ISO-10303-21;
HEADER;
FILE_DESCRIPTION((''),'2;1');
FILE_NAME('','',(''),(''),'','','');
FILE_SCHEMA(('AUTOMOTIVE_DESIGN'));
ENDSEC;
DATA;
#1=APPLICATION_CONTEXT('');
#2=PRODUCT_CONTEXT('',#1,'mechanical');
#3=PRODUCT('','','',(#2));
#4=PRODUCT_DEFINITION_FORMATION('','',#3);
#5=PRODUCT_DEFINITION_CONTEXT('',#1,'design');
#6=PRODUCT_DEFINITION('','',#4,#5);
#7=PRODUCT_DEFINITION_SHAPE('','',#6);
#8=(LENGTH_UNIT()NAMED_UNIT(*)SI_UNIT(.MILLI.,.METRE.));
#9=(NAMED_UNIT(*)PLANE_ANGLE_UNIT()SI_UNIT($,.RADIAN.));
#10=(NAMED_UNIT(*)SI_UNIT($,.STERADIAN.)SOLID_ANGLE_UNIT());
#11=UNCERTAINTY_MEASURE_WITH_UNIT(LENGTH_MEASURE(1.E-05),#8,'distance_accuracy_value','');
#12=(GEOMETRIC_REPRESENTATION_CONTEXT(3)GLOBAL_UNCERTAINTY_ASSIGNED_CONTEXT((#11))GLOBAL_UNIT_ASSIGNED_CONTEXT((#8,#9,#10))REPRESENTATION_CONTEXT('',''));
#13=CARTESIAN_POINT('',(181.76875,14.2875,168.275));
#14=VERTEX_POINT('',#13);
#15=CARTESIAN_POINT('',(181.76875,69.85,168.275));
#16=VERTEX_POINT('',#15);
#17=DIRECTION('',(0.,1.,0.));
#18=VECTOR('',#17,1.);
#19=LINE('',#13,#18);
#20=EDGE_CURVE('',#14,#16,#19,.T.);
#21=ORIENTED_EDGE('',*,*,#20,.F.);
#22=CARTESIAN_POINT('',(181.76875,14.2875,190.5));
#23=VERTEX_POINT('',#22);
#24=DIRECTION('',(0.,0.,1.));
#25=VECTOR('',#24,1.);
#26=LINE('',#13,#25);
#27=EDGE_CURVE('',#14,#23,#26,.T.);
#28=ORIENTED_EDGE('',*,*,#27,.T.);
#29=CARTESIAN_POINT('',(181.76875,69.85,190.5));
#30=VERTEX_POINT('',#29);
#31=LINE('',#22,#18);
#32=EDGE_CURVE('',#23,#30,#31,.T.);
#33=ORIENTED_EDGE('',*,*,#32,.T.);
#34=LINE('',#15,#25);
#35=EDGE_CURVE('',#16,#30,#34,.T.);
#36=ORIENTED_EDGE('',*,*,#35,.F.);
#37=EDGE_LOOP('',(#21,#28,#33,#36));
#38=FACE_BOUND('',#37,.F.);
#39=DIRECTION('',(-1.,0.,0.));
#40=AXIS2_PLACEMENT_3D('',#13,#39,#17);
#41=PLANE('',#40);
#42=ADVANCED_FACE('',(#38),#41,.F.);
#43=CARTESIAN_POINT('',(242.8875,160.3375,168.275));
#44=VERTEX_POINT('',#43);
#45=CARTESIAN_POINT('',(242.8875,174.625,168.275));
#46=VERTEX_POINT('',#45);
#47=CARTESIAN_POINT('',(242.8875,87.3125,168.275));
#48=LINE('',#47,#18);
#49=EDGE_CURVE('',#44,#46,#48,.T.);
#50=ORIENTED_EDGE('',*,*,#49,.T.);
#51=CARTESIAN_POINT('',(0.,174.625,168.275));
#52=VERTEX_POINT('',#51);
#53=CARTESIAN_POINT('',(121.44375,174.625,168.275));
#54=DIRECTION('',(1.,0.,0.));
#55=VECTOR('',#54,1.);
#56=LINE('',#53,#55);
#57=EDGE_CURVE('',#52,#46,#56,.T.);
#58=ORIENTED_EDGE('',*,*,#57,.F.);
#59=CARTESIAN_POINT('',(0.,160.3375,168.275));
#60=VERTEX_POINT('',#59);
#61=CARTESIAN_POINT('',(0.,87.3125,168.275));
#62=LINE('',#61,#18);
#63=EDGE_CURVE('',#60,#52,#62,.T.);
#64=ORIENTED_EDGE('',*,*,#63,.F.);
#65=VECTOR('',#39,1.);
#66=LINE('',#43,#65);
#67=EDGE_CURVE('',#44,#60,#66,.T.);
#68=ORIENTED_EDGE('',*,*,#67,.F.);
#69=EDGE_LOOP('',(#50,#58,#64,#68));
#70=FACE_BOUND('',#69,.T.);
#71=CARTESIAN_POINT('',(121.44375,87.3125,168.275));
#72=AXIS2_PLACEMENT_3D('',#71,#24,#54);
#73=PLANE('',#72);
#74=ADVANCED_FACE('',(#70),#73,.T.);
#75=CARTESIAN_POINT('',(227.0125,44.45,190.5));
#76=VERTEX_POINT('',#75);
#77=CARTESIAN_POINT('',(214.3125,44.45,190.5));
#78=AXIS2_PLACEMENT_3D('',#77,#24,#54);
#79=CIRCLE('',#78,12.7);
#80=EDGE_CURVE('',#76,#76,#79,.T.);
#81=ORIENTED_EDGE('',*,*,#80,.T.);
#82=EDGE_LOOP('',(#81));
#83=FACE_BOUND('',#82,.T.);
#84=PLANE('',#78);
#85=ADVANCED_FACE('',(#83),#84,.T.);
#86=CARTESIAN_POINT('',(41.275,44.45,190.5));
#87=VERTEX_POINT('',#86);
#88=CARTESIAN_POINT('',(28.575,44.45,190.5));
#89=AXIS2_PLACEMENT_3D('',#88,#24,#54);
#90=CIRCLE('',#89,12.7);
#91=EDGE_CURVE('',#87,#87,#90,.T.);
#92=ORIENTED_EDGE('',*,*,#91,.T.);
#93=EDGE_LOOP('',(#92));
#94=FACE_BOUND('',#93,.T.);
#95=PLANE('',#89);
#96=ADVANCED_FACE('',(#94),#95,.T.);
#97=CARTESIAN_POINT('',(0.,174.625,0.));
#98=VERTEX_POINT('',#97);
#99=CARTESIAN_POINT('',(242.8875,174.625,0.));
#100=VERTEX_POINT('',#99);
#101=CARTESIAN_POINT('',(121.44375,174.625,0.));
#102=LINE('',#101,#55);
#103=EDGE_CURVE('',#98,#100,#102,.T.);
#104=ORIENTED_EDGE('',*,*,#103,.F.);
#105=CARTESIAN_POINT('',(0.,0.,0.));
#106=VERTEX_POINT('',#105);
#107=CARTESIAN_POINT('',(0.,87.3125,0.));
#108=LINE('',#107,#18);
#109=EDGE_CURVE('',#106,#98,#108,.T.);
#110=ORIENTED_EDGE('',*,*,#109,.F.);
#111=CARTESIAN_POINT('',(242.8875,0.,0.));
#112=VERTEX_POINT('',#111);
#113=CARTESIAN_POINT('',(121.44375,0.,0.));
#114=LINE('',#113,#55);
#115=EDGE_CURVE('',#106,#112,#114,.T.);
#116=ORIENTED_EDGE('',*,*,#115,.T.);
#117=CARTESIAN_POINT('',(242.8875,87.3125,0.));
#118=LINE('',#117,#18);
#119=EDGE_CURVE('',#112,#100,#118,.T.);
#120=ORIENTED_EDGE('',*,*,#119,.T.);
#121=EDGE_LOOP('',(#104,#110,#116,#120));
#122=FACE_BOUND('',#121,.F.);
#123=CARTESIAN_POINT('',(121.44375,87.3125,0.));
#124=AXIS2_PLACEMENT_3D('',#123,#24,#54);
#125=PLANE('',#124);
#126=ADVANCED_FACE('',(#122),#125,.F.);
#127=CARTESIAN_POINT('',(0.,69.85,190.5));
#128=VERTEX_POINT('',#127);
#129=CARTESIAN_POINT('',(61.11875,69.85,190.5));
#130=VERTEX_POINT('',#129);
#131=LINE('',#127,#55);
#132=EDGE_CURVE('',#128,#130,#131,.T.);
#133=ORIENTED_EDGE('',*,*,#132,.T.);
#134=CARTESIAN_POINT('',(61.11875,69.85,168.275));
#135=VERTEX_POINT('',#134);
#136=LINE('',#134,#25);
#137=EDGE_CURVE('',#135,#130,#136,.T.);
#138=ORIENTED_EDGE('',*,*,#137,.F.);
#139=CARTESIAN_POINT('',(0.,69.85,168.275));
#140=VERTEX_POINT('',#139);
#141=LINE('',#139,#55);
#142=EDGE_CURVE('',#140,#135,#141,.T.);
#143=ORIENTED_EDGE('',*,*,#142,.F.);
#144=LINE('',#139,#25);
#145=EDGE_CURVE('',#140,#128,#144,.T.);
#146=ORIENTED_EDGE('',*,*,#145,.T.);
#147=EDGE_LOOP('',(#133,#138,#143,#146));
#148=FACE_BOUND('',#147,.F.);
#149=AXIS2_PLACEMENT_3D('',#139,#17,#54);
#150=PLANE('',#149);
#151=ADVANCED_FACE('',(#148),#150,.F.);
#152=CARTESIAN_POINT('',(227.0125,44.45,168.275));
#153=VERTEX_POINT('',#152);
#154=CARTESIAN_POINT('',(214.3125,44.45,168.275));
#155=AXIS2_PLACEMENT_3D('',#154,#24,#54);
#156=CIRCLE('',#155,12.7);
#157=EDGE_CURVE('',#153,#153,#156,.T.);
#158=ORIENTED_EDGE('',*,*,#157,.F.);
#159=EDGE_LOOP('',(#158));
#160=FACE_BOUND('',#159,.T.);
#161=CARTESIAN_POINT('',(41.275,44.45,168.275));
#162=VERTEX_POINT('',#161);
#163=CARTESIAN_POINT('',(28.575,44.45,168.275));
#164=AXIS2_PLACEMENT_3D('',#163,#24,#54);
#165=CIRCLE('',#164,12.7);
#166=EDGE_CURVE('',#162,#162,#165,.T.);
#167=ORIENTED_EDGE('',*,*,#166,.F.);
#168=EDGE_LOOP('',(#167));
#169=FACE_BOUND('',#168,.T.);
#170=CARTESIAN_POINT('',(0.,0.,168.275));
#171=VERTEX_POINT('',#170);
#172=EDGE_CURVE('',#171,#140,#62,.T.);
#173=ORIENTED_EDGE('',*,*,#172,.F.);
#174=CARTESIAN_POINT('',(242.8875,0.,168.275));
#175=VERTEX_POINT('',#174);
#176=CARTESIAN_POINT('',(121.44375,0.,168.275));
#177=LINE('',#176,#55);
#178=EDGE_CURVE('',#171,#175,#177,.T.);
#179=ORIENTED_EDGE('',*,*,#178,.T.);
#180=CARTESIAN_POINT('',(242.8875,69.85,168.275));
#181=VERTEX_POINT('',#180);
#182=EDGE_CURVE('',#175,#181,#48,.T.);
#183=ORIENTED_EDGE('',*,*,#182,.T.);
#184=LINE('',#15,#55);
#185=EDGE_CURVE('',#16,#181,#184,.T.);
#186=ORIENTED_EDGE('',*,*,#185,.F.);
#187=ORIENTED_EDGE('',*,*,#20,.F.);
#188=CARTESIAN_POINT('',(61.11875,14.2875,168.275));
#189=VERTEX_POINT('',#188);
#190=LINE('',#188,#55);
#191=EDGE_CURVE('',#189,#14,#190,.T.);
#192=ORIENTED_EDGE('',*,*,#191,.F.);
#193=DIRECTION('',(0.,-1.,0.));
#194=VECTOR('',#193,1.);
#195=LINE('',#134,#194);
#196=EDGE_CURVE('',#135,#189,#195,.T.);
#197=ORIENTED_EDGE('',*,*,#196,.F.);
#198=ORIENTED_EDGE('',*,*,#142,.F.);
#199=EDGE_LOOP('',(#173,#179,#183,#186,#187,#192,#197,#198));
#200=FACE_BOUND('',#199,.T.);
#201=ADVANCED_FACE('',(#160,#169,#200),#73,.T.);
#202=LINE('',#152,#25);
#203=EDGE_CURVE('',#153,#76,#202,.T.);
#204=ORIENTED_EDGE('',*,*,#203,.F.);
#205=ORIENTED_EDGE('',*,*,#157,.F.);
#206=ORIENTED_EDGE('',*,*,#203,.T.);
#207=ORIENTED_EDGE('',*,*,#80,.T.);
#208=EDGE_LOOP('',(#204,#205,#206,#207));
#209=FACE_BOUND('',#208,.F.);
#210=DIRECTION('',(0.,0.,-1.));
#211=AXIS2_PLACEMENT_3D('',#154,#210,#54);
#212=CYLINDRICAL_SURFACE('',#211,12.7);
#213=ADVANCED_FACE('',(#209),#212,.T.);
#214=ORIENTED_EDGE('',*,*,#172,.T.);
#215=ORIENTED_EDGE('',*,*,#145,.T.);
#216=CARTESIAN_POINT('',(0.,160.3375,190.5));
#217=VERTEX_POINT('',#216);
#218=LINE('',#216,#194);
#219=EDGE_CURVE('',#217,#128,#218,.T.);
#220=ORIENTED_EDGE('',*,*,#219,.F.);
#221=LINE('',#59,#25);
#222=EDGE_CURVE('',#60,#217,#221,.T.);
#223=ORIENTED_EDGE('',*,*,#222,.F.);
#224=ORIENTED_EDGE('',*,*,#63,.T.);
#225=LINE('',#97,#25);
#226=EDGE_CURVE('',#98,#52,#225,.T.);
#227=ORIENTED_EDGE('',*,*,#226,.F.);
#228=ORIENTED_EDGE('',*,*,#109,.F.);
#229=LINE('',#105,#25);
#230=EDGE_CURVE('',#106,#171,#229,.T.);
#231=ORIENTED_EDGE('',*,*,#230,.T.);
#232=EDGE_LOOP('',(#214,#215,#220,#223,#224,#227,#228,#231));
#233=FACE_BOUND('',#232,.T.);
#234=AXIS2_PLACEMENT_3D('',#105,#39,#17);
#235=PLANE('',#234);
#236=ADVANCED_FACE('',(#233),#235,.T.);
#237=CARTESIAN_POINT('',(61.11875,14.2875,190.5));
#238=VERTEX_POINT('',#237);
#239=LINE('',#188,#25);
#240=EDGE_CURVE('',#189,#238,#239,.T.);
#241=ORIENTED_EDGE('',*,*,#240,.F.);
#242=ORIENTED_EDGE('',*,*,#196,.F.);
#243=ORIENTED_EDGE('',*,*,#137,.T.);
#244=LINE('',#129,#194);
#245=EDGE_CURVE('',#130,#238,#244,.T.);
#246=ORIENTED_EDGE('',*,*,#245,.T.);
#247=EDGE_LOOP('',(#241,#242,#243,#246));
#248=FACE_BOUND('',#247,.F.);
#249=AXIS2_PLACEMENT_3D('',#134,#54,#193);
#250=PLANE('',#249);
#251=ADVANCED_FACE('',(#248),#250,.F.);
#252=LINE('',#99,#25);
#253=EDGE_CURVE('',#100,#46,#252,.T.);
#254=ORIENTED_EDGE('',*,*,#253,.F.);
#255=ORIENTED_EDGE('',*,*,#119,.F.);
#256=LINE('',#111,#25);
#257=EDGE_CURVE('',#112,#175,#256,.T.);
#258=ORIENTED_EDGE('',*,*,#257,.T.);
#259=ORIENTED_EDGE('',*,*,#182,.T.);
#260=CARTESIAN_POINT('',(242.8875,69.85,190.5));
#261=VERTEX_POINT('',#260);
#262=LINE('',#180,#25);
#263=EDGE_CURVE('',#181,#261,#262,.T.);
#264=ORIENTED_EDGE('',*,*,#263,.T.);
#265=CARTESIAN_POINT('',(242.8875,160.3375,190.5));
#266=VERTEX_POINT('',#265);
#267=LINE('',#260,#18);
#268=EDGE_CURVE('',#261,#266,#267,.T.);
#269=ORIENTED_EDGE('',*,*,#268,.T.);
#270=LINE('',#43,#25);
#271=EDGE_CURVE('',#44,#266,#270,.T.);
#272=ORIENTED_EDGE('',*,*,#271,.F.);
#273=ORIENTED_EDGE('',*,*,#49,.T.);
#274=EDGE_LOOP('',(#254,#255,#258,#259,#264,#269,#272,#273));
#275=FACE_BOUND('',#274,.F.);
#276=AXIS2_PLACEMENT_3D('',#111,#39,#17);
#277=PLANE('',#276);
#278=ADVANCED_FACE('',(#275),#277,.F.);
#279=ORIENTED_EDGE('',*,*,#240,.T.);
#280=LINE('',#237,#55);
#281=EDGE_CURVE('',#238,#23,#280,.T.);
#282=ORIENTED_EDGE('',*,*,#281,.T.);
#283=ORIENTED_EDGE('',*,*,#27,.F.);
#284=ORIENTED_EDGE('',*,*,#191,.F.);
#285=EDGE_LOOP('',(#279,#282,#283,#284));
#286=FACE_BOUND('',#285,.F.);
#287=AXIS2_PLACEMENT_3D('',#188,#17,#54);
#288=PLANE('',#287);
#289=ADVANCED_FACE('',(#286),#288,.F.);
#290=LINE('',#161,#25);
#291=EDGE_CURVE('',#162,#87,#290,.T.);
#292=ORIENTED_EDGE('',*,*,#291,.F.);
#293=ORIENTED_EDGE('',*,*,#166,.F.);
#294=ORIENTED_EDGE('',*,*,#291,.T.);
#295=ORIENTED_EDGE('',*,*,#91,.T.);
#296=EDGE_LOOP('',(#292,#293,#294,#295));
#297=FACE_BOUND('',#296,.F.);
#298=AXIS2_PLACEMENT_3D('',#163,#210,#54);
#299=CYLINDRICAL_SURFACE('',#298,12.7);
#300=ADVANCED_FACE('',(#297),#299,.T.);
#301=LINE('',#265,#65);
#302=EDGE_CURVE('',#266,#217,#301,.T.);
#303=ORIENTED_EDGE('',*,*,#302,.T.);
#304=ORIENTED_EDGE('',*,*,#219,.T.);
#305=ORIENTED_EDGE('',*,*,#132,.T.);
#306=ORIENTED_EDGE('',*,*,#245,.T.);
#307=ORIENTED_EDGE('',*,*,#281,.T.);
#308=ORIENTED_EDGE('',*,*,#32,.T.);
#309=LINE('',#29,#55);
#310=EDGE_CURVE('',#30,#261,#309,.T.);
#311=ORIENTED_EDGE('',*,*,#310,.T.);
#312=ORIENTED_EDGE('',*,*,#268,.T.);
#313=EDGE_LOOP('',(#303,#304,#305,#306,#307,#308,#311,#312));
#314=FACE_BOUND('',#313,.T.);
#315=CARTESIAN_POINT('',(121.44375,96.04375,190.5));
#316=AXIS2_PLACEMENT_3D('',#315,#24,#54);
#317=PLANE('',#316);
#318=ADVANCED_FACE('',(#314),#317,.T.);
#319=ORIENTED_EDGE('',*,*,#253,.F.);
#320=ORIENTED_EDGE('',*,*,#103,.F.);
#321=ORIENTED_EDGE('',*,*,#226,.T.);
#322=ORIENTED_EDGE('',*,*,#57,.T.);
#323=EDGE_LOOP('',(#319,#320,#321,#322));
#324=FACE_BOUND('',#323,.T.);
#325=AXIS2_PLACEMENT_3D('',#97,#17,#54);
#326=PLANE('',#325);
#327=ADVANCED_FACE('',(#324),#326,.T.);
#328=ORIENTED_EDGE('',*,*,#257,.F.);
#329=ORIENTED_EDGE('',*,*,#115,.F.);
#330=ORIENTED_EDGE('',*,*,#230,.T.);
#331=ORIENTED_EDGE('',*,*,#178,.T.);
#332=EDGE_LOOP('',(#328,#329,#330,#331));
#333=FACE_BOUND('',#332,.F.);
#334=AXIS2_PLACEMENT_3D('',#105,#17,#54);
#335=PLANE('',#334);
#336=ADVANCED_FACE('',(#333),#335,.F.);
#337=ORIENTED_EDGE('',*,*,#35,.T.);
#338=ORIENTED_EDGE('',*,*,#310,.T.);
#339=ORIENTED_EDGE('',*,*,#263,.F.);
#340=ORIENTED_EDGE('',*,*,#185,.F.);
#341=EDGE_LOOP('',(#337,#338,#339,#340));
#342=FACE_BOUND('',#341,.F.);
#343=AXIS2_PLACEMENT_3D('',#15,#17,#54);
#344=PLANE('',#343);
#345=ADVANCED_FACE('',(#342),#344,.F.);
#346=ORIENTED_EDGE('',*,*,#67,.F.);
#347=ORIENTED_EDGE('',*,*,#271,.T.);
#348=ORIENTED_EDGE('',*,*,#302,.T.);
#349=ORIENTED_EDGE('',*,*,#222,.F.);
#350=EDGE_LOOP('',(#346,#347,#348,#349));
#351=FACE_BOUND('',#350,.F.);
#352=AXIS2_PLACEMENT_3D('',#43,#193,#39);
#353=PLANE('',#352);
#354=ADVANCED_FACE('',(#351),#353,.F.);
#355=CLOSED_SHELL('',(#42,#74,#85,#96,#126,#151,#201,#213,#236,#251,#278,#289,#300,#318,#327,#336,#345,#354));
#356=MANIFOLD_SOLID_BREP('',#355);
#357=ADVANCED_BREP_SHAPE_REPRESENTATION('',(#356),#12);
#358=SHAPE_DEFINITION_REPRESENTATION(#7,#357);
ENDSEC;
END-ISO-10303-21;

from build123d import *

# Parameters (mm, degrees)
F0_W     = 242.8875
F0_H     = 174.625
F1_DEPTH = 168.275
F2_R     = 12.7
F3_DEPTH = 22.225


with BuildPart() as f1:
    # F0 (on Top) → F1 (new body)
    with BuildSketch(Plane.XY):
        with Locations((121.44375, 87.3125)):
            Rectangle(F0_W, F0_H)
    extrude(amount=F1_DEPTH)

    # F2 (on face) → F3 (join)
    with BuildSketch(Plane.XY.offset(168.275)):
        with Locations((28.575, 44.45)):
            Circle(F2_R)
        with Locations((214.3125, 44.45)):
            Circle(F2_R)
        Polygon((242.8875, 160.3375), (0, 160.3375), (0, 69.85), (61.11875, 69.85), (61.11875, 14.2875), (181.76875, 14.2875), (181.76875, 69.85), (242.8875, 69.85), align=None)
    extrude(amount=F3_DEPTH)


solid = f1.part
